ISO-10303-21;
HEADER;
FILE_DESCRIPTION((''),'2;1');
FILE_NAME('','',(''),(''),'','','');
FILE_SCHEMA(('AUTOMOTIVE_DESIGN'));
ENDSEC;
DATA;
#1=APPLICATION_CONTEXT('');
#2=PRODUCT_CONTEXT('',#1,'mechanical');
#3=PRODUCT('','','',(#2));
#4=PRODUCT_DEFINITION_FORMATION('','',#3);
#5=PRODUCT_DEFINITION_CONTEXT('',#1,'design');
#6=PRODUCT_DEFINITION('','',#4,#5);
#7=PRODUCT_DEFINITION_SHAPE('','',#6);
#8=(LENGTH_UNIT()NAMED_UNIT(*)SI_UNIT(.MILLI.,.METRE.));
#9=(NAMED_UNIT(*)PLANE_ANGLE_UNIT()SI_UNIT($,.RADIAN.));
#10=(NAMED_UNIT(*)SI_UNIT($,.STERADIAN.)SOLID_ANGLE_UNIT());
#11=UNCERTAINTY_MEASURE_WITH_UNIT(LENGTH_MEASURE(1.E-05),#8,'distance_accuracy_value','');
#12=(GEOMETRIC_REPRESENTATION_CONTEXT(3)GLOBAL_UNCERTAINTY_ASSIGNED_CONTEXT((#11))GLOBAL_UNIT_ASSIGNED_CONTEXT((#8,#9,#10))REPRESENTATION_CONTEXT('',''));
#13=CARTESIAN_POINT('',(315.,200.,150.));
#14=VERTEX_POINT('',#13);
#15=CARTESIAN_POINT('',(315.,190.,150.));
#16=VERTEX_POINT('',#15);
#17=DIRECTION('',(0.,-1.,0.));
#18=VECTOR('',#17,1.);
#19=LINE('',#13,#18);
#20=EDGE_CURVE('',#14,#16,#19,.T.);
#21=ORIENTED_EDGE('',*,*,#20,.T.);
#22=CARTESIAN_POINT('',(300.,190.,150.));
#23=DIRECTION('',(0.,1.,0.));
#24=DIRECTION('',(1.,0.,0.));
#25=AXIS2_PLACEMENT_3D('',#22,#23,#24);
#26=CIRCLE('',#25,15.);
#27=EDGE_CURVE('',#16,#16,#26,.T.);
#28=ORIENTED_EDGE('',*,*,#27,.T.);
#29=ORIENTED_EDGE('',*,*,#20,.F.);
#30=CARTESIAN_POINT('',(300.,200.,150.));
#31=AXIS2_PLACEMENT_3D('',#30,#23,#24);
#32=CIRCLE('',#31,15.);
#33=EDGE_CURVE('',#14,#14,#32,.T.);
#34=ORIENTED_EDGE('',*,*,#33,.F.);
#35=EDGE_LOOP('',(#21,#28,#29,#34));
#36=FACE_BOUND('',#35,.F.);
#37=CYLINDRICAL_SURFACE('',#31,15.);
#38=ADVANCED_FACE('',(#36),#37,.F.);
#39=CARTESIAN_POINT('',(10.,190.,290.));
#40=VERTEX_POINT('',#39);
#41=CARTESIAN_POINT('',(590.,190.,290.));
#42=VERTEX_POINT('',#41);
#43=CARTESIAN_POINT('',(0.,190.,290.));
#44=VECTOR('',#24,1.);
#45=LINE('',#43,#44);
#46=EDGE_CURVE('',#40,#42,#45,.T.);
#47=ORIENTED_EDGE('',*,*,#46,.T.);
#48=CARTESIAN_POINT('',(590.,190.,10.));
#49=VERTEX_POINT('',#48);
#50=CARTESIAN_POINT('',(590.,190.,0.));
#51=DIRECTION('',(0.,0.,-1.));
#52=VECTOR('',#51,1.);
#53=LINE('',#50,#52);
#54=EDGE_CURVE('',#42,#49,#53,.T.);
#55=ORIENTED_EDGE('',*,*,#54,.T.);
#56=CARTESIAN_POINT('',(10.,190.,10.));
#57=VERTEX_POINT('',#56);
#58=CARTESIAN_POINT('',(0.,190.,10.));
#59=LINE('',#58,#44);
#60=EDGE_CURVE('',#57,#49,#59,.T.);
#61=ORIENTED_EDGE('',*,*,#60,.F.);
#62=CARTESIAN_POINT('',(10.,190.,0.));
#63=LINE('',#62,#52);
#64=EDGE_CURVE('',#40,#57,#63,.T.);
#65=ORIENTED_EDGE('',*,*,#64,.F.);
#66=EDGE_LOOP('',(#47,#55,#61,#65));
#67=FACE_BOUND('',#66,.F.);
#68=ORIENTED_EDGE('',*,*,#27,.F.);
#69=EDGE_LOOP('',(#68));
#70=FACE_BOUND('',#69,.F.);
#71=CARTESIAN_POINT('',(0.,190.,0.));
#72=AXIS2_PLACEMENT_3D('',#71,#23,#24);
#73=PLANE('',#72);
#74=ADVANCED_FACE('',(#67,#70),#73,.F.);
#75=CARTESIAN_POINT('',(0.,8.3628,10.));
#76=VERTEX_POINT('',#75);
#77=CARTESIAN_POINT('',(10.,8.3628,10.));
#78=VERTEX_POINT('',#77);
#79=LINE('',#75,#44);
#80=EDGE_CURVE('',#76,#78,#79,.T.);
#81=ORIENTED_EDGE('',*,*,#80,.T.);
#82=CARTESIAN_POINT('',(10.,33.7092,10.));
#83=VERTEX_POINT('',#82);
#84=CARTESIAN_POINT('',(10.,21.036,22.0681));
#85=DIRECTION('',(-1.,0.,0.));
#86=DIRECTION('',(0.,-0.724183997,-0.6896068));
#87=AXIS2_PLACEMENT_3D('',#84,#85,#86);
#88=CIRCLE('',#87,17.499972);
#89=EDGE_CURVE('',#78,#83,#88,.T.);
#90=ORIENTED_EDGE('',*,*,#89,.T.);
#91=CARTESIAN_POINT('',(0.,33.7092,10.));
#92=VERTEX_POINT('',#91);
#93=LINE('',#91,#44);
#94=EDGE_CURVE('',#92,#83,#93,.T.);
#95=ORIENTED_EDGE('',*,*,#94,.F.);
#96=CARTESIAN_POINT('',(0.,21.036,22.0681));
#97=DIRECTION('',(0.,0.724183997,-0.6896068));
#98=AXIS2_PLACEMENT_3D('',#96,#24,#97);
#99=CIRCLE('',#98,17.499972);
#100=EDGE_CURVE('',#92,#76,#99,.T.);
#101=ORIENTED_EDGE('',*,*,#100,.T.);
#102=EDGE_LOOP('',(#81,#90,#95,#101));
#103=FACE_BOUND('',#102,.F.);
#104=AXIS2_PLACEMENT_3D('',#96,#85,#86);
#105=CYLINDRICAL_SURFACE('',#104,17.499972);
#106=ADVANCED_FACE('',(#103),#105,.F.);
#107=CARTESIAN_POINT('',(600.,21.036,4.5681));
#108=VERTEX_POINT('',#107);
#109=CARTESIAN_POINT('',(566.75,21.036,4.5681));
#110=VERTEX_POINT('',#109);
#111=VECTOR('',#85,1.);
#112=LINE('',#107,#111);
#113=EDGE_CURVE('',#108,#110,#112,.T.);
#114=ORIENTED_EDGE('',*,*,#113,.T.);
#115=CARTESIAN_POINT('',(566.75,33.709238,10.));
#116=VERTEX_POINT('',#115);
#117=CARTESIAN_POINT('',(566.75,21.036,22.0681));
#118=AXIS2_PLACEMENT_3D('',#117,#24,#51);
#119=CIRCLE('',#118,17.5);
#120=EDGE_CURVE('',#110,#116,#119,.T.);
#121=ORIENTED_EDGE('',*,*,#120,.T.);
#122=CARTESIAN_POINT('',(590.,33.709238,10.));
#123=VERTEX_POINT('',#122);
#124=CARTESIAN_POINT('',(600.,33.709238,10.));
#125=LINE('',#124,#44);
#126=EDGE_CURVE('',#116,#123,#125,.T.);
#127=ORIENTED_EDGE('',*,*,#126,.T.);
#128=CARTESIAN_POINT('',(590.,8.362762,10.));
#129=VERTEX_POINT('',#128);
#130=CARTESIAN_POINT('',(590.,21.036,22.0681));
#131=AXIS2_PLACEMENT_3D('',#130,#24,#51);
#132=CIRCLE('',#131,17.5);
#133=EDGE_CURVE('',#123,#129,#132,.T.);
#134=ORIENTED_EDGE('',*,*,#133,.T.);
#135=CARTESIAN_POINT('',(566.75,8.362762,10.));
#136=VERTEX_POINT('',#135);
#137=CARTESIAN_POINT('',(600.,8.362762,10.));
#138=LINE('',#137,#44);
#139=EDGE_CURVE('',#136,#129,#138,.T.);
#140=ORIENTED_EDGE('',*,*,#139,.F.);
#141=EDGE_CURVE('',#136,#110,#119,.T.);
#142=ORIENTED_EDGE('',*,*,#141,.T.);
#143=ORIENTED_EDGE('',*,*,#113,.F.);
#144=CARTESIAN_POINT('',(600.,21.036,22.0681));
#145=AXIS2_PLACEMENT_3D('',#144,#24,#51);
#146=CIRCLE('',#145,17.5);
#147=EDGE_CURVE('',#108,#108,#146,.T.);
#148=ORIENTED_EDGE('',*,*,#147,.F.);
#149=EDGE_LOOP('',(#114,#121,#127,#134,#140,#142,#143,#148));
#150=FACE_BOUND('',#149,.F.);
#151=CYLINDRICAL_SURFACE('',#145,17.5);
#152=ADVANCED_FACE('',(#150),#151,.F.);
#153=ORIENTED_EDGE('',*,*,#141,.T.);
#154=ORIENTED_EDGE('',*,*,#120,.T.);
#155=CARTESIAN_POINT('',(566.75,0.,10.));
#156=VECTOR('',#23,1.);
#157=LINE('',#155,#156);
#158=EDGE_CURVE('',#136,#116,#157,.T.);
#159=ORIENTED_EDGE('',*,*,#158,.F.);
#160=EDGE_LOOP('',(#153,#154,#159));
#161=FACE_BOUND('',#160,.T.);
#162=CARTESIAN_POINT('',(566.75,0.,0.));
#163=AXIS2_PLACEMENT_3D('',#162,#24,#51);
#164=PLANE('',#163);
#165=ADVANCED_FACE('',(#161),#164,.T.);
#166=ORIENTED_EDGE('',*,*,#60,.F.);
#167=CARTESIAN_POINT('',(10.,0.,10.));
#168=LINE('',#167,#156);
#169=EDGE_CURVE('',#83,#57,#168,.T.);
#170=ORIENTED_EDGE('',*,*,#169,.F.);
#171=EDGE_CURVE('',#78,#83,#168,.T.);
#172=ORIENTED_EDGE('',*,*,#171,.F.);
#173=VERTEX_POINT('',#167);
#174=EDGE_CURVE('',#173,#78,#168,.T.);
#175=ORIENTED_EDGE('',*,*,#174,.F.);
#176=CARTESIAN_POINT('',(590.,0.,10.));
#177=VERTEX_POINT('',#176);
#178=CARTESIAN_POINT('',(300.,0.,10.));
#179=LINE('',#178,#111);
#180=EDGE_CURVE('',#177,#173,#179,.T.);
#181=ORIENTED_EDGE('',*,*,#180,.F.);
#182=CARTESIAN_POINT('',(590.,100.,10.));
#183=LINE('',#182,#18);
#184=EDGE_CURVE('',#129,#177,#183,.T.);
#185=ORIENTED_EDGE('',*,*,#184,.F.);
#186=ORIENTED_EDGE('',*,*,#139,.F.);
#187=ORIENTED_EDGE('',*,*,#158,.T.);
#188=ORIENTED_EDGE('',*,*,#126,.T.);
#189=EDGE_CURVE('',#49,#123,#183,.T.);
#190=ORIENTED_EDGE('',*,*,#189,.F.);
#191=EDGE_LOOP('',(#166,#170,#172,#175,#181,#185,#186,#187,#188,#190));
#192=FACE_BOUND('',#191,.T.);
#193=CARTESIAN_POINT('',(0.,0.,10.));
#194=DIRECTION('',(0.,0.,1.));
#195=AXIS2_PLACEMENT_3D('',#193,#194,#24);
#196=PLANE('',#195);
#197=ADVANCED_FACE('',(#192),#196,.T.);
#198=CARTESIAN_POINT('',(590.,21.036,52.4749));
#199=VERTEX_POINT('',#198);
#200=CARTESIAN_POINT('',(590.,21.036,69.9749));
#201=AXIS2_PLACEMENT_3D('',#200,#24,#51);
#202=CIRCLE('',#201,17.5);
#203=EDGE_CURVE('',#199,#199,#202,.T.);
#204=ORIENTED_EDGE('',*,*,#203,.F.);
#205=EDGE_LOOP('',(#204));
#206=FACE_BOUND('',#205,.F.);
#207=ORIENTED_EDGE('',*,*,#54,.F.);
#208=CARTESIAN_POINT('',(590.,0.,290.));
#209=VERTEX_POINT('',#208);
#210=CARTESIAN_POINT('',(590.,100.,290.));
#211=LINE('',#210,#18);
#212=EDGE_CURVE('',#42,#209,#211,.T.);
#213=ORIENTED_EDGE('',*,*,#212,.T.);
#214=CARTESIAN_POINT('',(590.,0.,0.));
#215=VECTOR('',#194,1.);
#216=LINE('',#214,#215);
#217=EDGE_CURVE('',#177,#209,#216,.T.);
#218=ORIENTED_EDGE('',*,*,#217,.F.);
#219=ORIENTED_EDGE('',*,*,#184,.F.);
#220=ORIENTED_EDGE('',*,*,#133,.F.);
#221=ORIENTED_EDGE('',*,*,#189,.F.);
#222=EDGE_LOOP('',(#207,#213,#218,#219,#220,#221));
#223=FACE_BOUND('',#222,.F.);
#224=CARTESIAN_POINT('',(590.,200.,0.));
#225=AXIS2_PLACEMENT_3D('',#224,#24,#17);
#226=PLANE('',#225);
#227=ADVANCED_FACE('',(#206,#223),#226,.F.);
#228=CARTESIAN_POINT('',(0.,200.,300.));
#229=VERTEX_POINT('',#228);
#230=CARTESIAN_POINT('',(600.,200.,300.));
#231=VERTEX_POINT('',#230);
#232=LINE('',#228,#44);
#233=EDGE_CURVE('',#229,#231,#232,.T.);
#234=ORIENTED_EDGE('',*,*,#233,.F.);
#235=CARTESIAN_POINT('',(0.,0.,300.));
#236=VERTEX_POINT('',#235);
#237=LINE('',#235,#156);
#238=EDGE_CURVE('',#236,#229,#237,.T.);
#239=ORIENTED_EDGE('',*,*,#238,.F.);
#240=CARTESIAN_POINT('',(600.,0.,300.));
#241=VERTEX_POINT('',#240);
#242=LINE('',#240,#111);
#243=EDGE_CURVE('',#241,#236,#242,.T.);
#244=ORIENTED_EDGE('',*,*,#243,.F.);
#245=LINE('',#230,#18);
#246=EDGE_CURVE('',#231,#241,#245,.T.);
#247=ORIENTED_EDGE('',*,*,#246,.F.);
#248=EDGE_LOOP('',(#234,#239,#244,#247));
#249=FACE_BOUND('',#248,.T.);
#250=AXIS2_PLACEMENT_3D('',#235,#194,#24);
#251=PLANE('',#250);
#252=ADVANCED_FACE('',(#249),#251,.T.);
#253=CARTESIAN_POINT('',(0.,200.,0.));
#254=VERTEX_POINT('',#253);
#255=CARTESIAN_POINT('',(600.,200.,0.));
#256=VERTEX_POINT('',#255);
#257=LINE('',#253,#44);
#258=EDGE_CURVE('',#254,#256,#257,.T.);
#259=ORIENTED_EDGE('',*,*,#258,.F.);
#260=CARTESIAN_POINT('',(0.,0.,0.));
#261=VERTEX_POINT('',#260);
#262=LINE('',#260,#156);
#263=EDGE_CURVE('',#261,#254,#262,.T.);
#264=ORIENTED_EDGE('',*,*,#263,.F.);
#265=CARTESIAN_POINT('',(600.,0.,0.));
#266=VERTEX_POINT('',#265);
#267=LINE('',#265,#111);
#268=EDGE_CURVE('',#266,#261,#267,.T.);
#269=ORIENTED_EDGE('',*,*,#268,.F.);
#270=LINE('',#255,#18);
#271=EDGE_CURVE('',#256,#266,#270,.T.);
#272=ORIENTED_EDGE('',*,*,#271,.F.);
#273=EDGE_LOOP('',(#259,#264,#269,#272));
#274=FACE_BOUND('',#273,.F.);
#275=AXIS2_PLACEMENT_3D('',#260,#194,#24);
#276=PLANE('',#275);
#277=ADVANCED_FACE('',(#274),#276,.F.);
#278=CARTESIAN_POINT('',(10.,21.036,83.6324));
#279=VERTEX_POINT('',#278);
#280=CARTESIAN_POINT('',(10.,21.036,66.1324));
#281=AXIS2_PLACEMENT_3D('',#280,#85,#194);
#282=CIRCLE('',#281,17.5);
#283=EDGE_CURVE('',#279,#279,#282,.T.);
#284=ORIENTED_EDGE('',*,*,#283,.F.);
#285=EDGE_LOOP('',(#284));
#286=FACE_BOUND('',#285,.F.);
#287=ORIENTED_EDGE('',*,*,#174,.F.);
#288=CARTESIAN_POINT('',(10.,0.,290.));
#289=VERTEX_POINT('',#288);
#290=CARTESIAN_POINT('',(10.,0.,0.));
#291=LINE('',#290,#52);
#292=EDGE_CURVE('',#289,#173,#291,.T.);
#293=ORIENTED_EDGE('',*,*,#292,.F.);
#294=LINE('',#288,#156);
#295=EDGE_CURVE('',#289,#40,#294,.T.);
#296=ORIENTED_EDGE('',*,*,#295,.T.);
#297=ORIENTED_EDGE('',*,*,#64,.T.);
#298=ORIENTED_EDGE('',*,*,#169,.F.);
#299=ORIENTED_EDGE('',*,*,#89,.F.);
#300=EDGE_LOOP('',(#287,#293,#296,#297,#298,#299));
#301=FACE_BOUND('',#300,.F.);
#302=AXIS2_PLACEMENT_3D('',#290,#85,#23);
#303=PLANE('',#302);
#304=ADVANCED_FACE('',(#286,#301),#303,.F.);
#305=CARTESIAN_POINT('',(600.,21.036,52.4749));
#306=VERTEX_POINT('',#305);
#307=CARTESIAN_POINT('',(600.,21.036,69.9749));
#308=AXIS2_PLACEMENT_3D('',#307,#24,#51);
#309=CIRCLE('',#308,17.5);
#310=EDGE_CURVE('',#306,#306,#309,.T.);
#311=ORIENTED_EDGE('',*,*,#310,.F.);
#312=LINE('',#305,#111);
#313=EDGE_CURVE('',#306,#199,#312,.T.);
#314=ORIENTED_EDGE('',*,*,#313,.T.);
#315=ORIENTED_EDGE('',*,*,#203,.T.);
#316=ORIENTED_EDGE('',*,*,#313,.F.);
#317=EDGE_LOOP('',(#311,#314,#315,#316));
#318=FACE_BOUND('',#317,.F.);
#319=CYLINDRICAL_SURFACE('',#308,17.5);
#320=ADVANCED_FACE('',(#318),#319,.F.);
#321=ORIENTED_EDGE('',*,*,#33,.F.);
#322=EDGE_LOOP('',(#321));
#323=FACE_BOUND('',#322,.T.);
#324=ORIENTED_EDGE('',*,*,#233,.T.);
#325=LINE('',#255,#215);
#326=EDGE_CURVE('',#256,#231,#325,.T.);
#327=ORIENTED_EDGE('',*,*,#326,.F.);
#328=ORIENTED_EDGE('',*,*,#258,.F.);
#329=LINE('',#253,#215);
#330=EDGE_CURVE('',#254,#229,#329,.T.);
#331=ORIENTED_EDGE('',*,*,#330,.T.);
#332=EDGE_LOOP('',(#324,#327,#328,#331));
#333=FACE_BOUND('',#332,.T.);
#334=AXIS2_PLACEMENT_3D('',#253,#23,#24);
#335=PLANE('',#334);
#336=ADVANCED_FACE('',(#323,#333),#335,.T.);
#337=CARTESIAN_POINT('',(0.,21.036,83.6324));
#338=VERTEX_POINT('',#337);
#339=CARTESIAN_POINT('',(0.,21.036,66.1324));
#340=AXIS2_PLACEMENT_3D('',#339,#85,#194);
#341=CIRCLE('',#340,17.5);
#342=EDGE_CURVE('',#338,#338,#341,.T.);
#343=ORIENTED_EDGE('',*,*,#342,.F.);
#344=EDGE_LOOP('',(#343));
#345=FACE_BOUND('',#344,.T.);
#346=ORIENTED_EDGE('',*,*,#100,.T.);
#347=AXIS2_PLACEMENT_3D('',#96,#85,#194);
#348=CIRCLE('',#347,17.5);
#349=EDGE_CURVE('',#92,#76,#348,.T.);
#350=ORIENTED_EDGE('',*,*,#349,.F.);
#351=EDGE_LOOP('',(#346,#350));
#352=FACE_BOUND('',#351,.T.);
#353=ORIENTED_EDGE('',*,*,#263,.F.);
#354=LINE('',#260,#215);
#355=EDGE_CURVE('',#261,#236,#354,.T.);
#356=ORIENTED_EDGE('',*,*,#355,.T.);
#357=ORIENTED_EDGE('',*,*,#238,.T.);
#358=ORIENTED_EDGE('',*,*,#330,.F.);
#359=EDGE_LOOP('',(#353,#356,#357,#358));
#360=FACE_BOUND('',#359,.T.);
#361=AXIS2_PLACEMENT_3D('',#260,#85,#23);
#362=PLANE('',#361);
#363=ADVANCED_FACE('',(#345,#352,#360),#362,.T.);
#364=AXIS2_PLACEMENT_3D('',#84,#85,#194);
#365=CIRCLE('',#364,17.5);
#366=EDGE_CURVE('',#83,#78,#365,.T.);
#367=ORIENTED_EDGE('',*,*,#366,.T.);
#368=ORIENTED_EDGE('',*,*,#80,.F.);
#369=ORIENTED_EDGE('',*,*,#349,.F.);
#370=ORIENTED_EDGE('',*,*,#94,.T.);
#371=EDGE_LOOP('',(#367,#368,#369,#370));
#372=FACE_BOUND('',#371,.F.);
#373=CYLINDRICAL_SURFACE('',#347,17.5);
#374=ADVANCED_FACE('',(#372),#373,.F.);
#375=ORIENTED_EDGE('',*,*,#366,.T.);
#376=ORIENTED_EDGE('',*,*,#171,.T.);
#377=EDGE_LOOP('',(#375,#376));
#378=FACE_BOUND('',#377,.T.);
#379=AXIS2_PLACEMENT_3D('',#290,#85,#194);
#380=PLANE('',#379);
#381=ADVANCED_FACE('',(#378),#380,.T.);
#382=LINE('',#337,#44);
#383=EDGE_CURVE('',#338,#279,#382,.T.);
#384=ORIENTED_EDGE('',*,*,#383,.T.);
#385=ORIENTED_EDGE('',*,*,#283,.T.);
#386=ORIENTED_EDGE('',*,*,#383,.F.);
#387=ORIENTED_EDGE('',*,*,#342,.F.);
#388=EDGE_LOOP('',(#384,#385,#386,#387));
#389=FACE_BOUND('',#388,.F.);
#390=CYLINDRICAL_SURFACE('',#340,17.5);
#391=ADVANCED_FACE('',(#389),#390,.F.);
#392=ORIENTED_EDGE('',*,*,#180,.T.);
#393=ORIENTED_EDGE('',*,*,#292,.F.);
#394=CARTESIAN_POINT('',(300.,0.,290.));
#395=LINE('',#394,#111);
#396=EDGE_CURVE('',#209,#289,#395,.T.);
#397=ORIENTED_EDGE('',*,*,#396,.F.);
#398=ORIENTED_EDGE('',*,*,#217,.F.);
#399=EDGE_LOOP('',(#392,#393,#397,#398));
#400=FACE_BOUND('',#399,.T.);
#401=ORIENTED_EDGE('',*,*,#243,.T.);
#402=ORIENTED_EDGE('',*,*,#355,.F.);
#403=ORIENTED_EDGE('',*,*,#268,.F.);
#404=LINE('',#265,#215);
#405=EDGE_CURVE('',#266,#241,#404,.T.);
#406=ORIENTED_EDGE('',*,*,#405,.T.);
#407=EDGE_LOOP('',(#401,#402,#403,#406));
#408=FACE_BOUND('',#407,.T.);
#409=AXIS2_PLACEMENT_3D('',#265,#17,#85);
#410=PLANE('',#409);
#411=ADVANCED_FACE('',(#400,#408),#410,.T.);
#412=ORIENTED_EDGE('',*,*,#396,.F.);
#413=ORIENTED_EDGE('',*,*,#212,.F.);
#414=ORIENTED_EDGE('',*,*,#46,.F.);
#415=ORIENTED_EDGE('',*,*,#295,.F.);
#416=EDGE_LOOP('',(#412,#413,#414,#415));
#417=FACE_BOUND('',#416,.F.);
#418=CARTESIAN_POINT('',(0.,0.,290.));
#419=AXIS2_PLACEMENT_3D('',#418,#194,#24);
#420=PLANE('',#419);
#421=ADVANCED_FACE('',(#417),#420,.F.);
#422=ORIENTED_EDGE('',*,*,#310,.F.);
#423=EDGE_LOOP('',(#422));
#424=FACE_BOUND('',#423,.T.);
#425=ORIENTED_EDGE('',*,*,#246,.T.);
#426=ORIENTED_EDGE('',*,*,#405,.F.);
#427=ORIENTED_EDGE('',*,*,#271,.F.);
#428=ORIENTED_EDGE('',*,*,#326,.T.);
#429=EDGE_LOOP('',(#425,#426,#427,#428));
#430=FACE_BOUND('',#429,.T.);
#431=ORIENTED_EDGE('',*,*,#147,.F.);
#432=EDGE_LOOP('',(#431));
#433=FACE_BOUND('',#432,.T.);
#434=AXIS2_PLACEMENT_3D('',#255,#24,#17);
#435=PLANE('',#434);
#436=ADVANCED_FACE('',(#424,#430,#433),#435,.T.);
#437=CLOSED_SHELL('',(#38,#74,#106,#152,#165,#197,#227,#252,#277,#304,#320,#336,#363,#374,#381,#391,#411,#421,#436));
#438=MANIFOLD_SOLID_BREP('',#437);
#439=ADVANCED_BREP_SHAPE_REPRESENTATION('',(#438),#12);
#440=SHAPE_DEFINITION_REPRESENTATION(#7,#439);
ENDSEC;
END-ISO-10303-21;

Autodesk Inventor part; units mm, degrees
ref_plane "YZ Plane" through (0, 0, 0) normal (1, 0, 0) x (0, 1, 0)
ref_plane "XZ Plane" through (0, 0, 0) normal (0, 1, 0) x (-1, 0, 0)
ref_plane "XY Plane" through (0, 0, 0) normal (0, 0, 1) x (1, 0, 0)
sketch "Boceto1" plane through (0, 0, 0) normal (0, 0, 1) x (1, 0, 0)
  point P0 (0, 0)
sketch "Boceto2" plane through (0, 0, 0) normal (0, 0, 1) x (1, 0, 0)
  line L0 (0, 0) -> (0, 200)
  line L1 (0, 200) -> (600, 200)
  line L2 (600, 200) -> (600, 0)
  line L3 (600, 0) -> (0, 0)
  dimension "d0" = 200
  dimension "d1" = 600
  dimension "d2" = 200
  dimension "d3" = 600
extrude "Extrusión1" add sketch "Boceto2" along normal blind 300
shell "Vaciado1" thickness 10 removed faces 1 at (400, 0, 100)
sketch "Boceto3" plane through (0, 200, 0) normal (0, 1, 0) x (1, 0, 0)
  point P0 (0, 0)
sketch "Boceto4" plane through (0, 200, 0) normal (0, 1, 0) x (1, 0, 0)
  point P0 (0, 0)
sketch "Boceto5" plane through (0, 200, 0) normal (0, 1, 0) x (1, 0, 0)
  point P0 (0, 0)
sketch "Boceto6" plane through (0, 200, 0) normal (0, 1, 0) x (1, 0, 0)
  circle A0 centre (300, -150) radius 15
  point P0 (0, 0)
  dimension "d9" = 30
extrude "Extrusión2" cut sketch "Boceto6" against normal blind 33.25
sketch "Boceto7" plane through (0, 200, 0) normal (0, 1, 0) x (1, 0, 0)
  point P0 (0, 0)
sketch "Boceto8" plane through (600, 0, 0) normal (1, 0, 0) x (0, 0, -1)
  circle A0 centre (-22.0681, 21.036) radius 17.5
  circle A1 centre (-69.9749, 21.036) radius 17.5
  point P0 (0, 0)
  dimension "d12" = 35
  dimension "d13" = 35
extrude "Extrusión3" cut sketch "Boceto8" against normal blind 33.25
sketch "Boceto9" plane through (0, 0, 0) normal (-1, 0, 0) x (0, 0, 1)
  arc A0 (10, 8.3628) -> (10, 33.7092) centre (22.0681, 21.036) ccw projected
  circle A1 centre (22.0681, 21.036) radius 17.5
  circle A2 centre (66.1324, 21.036) radius 17.5
  point P0 (0, 0)
  dimension "d16" = 35
  dimension "d17" = 35
extrude "Extrusión4" cut sketch "Boceto9" against normal blind 10
